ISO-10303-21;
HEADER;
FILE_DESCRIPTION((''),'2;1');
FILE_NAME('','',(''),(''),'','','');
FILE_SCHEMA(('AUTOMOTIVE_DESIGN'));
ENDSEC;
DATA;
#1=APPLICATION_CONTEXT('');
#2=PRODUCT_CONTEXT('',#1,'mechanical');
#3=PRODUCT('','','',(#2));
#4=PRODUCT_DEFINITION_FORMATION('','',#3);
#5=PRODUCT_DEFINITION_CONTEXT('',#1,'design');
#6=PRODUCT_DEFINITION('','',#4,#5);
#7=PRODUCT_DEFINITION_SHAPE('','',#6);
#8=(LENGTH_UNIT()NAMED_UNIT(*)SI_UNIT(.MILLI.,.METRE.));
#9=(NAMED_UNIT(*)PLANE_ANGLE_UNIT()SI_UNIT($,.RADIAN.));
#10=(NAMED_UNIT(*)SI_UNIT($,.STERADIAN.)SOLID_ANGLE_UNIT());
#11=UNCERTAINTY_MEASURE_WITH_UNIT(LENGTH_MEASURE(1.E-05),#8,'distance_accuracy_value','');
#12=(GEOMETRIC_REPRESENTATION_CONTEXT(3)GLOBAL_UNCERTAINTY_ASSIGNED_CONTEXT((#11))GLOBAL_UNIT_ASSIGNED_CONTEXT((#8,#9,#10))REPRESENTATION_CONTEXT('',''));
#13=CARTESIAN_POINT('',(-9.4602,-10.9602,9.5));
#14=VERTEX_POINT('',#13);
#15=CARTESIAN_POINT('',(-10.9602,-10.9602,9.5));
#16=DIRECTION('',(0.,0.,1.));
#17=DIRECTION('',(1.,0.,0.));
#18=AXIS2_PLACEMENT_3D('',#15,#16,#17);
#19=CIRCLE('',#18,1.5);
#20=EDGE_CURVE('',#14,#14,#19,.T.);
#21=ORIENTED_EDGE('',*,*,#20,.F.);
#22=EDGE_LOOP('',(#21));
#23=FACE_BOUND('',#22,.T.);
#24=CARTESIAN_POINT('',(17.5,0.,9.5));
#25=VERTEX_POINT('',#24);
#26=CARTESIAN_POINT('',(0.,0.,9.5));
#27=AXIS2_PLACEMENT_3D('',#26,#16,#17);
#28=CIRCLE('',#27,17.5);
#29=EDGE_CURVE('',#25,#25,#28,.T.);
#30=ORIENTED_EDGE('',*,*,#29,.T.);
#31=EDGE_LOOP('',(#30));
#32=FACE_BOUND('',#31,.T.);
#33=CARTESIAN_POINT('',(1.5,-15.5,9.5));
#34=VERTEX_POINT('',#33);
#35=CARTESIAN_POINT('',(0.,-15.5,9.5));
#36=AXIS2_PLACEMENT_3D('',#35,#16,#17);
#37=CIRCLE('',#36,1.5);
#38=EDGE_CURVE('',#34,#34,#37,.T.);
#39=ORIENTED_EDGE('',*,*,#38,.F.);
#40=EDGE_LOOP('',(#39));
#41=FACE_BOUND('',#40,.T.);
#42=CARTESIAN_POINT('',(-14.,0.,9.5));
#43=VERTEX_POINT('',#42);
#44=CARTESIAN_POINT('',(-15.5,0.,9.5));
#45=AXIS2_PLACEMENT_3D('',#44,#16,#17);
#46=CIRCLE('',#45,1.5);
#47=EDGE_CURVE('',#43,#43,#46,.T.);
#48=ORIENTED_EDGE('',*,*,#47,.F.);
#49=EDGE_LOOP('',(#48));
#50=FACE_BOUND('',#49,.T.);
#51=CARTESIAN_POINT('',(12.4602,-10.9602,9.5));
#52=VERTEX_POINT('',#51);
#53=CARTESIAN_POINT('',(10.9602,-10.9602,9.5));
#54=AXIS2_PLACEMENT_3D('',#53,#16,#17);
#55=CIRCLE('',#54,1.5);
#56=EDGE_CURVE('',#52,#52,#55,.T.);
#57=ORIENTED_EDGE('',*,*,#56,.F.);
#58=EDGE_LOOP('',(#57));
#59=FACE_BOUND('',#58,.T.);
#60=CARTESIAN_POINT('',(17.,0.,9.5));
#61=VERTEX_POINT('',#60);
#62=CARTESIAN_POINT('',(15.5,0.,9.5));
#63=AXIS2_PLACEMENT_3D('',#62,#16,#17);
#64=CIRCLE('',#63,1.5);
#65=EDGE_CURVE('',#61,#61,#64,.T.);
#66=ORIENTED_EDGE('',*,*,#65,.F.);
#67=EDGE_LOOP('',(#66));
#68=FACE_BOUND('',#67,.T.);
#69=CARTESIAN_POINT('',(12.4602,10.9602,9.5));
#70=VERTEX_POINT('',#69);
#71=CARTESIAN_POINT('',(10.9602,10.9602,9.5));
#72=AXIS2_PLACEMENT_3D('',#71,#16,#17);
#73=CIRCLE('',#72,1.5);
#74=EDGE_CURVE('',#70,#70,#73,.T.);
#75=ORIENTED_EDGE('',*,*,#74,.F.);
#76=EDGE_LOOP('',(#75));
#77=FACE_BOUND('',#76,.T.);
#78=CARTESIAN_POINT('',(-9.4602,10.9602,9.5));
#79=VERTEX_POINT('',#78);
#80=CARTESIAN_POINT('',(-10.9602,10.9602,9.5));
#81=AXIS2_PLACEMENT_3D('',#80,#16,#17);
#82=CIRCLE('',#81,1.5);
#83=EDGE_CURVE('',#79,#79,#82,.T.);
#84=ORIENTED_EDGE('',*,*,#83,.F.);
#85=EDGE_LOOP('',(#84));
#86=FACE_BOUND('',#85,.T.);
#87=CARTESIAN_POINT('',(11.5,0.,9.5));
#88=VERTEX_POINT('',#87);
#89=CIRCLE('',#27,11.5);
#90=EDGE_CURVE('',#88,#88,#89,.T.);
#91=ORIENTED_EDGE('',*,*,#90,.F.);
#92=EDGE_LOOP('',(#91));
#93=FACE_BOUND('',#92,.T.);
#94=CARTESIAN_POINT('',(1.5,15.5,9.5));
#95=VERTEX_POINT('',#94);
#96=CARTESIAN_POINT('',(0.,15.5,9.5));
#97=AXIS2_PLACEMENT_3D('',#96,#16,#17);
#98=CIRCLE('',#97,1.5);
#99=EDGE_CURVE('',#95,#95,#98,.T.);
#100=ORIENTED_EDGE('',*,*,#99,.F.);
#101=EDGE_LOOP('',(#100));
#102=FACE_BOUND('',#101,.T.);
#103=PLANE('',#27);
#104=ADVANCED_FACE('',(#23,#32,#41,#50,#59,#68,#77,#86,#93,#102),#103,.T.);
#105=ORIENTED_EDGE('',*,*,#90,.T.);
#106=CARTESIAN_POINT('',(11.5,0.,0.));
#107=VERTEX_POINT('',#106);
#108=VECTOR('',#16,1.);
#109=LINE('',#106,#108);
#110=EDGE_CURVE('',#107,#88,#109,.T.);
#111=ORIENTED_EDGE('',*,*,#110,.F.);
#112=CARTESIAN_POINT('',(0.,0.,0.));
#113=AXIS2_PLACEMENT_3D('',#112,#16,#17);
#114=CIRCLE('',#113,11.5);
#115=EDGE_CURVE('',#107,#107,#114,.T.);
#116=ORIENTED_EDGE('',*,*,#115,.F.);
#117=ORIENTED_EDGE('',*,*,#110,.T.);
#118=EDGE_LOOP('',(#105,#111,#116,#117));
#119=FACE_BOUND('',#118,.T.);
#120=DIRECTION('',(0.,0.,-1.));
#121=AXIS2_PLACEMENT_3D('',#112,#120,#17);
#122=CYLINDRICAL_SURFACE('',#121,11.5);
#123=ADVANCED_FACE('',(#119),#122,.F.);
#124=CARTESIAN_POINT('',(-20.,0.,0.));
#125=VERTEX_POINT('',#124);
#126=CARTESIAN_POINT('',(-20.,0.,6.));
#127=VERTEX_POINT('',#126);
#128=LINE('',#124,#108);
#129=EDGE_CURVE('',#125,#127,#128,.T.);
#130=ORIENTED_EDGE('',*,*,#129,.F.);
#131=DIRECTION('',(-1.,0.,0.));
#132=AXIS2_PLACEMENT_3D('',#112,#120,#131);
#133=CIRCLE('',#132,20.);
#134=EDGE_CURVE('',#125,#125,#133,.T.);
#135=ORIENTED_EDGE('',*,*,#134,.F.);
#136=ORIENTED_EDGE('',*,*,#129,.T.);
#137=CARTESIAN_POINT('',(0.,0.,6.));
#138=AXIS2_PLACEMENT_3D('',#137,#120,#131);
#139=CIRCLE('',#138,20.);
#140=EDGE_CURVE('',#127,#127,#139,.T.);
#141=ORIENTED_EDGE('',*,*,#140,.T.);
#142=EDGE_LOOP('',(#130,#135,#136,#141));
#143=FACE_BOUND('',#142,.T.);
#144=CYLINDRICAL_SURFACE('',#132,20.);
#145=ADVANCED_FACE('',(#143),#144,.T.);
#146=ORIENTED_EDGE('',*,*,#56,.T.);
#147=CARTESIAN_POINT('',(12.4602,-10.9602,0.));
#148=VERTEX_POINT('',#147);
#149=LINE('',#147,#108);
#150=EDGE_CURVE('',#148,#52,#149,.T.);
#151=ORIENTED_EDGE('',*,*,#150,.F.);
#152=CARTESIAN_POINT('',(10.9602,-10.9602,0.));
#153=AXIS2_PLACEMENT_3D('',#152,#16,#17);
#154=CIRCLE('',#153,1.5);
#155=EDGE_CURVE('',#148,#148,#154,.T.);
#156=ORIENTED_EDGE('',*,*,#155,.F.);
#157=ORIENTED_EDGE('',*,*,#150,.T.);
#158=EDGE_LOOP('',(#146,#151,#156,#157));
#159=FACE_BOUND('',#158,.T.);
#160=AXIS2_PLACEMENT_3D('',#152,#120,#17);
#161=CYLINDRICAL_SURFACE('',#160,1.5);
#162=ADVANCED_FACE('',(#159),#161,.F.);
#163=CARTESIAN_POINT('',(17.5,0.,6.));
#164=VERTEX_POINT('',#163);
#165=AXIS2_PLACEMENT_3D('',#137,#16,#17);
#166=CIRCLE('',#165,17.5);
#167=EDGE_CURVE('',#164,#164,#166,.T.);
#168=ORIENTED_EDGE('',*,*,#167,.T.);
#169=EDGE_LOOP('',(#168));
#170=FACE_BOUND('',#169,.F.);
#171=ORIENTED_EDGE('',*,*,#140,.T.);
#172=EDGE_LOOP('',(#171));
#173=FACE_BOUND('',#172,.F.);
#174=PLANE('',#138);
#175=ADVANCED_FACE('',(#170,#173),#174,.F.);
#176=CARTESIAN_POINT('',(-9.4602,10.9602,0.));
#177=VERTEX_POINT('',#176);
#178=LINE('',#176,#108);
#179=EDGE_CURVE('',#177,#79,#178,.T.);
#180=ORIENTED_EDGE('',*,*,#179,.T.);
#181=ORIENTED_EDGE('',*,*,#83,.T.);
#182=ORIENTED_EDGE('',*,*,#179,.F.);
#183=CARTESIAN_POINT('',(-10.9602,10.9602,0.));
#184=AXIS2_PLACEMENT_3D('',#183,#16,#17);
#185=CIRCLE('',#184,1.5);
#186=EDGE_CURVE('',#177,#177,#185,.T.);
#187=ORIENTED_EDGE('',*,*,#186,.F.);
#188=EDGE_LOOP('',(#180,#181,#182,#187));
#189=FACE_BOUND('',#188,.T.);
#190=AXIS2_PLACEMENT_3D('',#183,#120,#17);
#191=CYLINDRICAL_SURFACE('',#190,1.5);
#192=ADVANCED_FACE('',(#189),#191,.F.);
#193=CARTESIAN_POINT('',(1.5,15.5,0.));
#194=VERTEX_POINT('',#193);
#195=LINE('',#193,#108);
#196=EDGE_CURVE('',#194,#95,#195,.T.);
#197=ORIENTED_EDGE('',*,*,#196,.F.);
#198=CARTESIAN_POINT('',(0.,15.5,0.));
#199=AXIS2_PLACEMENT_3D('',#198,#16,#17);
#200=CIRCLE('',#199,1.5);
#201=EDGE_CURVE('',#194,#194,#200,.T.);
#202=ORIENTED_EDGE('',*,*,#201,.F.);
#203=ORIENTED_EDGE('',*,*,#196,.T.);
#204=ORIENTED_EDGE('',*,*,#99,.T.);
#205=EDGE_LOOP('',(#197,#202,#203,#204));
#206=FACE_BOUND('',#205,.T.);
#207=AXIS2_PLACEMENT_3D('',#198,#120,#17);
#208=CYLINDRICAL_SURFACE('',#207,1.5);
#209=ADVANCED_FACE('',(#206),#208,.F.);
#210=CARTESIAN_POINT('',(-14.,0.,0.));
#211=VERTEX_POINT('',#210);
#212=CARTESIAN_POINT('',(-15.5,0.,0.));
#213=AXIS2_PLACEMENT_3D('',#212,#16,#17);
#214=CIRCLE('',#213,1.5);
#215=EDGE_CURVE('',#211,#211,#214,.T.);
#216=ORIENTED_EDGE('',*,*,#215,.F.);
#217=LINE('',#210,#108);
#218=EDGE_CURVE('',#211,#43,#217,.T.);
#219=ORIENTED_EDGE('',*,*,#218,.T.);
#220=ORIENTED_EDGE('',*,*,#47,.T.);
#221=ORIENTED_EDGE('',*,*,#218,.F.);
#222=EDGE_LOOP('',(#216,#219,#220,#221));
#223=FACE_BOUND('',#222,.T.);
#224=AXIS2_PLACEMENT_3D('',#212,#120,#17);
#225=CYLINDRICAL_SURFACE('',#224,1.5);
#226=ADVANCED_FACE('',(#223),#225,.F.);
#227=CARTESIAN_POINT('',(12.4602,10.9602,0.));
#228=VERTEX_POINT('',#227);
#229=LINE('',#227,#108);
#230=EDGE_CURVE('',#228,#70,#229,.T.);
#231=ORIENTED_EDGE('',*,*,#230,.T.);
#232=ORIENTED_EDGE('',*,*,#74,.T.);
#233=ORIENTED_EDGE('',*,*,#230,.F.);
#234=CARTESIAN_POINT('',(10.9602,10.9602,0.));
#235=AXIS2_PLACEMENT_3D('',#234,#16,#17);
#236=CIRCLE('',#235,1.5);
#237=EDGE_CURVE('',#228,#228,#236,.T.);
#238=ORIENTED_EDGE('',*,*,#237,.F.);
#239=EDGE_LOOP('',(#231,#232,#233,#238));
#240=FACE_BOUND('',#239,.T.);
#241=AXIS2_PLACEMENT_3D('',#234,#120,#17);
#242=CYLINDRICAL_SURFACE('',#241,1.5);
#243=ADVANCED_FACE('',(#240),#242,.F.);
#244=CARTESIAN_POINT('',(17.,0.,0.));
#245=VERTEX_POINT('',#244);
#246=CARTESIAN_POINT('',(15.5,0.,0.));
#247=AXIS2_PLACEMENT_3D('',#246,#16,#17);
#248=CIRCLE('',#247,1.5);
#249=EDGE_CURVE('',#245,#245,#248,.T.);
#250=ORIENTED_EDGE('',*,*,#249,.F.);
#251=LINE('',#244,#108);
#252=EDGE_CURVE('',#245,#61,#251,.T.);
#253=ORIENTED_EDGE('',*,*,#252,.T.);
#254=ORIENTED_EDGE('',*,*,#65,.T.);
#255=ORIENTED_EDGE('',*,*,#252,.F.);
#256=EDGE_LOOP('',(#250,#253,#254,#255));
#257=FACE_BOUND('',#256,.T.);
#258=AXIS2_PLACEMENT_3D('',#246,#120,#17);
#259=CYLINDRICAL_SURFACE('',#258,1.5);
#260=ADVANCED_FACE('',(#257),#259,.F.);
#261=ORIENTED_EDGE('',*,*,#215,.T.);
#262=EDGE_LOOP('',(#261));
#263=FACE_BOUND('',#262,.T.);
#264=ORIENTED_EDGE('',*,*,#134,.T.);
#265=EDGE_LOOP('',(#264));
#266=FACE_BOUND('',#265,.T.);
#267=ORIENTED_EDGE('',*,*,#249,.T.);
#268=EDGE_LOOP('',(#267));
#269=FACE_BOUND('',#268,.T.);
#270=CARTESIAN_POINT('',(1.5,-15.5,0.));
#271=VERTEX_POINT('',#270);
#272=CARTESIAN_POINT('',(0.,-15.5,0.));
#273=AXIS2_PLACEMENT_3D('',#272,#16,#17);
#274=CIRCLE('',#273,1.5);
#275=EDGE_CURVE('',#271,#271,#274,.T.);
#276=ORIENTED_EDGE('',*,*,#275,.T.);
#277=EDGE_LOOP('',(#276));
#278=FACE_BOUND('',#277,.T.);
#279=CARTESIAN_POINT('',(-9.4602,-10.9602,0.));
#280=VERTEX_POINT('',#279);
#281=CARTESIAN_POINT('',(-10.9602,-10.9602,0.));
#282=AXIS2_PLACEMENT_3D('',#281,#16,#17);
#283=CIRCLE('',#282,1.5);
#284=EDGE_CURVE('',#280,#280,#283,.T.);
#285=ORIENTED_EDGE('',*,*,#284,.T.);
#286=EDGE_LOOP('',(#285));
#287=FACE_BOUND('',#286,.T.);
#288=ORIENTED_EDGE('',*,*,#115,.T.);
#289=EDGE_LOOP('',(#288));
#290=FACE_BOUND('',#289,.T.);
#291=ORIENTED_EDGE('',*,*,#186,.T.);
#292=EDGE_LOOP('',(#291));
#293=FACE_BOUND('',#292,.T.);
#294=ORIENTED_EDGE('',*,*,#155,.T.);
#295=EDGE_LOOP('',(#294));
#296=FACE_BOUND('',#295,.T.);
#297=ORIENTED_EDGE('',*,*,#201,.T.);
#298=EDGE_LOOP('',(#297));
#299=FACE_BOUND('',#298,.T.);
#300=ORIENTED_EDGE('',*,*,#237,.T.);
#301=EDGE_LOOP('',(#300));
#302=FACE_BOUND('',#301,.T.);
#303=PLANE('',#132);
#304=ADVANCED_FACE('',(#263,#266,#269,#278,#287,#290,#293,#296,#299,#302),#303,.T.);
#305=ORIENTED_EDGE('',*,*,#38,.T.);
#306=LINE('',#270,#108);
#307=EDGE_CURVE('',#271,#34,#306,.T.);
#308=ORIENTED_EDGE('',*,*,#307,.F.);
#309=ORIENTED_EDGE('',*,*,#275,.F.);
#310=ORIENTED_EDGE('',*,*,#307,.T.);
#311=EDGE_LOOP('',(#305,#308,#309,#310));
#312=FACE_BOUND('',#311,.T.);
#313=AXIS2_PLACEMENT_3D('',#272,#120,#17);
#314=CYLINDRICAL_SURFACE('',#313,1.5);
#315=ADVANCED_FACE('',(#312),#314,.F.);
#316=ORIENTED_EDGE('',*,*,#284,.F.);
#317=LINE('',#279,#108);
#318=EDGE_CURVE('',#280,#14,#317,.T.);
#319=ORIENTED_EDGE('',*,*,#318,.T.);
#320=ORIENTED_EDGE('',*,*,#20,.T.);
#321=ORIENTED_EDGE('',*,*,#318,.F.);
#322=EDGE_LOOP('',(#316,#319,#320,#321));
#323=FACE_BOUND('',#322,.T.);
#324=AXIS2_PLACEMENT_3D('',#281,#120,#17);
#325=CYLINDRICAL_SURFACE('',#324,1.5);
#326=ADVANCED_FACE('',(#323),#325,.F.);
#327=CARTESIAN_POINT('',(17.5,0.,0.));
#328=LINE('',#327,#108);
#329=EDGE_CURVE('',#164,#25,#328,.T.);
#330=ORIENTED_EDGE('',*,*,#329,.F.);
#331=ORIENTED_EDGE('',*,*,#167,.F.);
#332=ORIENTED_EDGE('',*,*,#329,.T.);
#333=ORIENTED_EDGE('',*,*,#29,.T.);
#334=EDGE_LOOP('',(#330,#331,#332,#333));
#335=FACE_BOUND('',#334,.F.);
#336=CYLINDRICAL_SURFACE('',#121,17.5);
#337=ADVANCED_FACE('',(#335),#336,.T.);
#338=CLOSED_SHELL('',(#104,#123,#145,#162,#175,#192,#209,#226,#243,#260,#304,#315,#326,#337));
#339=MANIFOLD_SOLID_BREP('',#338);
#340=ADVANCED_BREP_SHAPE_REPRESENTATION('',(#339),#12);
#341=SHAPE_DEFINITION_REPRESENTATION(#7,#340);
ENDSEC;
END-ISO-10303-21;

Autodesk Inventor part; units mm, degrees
ref_plane "YZ Plane" through (0, 0, 0) normal (1, 0, 0) x (0, 1, 0)
ref_plane "XZ Plane" through (0, 0, 0) normal (0, 1, 0) x (-1, 0, 0)
ref_plane "XY Plane" through (0, 0, 0) normal (0, 0, 1) x (1, 0, 0)
sketch "Skizze1" plane through (0, 0, 0) normal (0, 0, 1) x (1, 0, 0)
  circle A0 centre (-15.5, 0) radius 1.5 projected
  circle A1 centre (0, -15.5) radius 1.5 projected
  circle A2 centre (10.9602, 10.9602) radius 1.5 projected
  circle A3 centre (0, 15.5) radius 1.5 projected
  circle A4 centre (15.5, 0) radius 1.5 projected
  circle A5 centre (10.9602, -10.9602) radius 1.5 projected
  circle A6 centre (-10.9602, -10.9602) radius 1.5 projected
  circle A7 centre (-10.9602, 10.9602) radius 1.5 projected
  circle A8 centre (0, 0) radius 11.5 projected
  arc A9 (22.1589, -22.3882) -> (22.1589, 22.3882) centre (0, 0) ccw projected
  arc A10 (22.1589, 22.3882) -> (22.1589, -22.3882) centre (0, 0) ccw projected
  circle A11 centre (0, 0) radius 17.5
  point P0 (0, 0)
  dimension "d0" = 35
extrude "Extrusion1" add sketch "Skizze1" along normal blind 9.5 contours A11
sketch "Skizze2" plane through (0, 0, 0) normal (0, 0, -1) x (-1, 0, 0)
  circle A0 centre (0, 0) radius 17.5 projected
  circle A1 centre (0, 0) radius 20
  point P0 (0, 0)
  dimension "d4" = 40
extrude "Extrusion2" add sketch "Skizze2" against normal blind 6
properties part number "RotGear_spacer" material "ABS-Kunststoff"
